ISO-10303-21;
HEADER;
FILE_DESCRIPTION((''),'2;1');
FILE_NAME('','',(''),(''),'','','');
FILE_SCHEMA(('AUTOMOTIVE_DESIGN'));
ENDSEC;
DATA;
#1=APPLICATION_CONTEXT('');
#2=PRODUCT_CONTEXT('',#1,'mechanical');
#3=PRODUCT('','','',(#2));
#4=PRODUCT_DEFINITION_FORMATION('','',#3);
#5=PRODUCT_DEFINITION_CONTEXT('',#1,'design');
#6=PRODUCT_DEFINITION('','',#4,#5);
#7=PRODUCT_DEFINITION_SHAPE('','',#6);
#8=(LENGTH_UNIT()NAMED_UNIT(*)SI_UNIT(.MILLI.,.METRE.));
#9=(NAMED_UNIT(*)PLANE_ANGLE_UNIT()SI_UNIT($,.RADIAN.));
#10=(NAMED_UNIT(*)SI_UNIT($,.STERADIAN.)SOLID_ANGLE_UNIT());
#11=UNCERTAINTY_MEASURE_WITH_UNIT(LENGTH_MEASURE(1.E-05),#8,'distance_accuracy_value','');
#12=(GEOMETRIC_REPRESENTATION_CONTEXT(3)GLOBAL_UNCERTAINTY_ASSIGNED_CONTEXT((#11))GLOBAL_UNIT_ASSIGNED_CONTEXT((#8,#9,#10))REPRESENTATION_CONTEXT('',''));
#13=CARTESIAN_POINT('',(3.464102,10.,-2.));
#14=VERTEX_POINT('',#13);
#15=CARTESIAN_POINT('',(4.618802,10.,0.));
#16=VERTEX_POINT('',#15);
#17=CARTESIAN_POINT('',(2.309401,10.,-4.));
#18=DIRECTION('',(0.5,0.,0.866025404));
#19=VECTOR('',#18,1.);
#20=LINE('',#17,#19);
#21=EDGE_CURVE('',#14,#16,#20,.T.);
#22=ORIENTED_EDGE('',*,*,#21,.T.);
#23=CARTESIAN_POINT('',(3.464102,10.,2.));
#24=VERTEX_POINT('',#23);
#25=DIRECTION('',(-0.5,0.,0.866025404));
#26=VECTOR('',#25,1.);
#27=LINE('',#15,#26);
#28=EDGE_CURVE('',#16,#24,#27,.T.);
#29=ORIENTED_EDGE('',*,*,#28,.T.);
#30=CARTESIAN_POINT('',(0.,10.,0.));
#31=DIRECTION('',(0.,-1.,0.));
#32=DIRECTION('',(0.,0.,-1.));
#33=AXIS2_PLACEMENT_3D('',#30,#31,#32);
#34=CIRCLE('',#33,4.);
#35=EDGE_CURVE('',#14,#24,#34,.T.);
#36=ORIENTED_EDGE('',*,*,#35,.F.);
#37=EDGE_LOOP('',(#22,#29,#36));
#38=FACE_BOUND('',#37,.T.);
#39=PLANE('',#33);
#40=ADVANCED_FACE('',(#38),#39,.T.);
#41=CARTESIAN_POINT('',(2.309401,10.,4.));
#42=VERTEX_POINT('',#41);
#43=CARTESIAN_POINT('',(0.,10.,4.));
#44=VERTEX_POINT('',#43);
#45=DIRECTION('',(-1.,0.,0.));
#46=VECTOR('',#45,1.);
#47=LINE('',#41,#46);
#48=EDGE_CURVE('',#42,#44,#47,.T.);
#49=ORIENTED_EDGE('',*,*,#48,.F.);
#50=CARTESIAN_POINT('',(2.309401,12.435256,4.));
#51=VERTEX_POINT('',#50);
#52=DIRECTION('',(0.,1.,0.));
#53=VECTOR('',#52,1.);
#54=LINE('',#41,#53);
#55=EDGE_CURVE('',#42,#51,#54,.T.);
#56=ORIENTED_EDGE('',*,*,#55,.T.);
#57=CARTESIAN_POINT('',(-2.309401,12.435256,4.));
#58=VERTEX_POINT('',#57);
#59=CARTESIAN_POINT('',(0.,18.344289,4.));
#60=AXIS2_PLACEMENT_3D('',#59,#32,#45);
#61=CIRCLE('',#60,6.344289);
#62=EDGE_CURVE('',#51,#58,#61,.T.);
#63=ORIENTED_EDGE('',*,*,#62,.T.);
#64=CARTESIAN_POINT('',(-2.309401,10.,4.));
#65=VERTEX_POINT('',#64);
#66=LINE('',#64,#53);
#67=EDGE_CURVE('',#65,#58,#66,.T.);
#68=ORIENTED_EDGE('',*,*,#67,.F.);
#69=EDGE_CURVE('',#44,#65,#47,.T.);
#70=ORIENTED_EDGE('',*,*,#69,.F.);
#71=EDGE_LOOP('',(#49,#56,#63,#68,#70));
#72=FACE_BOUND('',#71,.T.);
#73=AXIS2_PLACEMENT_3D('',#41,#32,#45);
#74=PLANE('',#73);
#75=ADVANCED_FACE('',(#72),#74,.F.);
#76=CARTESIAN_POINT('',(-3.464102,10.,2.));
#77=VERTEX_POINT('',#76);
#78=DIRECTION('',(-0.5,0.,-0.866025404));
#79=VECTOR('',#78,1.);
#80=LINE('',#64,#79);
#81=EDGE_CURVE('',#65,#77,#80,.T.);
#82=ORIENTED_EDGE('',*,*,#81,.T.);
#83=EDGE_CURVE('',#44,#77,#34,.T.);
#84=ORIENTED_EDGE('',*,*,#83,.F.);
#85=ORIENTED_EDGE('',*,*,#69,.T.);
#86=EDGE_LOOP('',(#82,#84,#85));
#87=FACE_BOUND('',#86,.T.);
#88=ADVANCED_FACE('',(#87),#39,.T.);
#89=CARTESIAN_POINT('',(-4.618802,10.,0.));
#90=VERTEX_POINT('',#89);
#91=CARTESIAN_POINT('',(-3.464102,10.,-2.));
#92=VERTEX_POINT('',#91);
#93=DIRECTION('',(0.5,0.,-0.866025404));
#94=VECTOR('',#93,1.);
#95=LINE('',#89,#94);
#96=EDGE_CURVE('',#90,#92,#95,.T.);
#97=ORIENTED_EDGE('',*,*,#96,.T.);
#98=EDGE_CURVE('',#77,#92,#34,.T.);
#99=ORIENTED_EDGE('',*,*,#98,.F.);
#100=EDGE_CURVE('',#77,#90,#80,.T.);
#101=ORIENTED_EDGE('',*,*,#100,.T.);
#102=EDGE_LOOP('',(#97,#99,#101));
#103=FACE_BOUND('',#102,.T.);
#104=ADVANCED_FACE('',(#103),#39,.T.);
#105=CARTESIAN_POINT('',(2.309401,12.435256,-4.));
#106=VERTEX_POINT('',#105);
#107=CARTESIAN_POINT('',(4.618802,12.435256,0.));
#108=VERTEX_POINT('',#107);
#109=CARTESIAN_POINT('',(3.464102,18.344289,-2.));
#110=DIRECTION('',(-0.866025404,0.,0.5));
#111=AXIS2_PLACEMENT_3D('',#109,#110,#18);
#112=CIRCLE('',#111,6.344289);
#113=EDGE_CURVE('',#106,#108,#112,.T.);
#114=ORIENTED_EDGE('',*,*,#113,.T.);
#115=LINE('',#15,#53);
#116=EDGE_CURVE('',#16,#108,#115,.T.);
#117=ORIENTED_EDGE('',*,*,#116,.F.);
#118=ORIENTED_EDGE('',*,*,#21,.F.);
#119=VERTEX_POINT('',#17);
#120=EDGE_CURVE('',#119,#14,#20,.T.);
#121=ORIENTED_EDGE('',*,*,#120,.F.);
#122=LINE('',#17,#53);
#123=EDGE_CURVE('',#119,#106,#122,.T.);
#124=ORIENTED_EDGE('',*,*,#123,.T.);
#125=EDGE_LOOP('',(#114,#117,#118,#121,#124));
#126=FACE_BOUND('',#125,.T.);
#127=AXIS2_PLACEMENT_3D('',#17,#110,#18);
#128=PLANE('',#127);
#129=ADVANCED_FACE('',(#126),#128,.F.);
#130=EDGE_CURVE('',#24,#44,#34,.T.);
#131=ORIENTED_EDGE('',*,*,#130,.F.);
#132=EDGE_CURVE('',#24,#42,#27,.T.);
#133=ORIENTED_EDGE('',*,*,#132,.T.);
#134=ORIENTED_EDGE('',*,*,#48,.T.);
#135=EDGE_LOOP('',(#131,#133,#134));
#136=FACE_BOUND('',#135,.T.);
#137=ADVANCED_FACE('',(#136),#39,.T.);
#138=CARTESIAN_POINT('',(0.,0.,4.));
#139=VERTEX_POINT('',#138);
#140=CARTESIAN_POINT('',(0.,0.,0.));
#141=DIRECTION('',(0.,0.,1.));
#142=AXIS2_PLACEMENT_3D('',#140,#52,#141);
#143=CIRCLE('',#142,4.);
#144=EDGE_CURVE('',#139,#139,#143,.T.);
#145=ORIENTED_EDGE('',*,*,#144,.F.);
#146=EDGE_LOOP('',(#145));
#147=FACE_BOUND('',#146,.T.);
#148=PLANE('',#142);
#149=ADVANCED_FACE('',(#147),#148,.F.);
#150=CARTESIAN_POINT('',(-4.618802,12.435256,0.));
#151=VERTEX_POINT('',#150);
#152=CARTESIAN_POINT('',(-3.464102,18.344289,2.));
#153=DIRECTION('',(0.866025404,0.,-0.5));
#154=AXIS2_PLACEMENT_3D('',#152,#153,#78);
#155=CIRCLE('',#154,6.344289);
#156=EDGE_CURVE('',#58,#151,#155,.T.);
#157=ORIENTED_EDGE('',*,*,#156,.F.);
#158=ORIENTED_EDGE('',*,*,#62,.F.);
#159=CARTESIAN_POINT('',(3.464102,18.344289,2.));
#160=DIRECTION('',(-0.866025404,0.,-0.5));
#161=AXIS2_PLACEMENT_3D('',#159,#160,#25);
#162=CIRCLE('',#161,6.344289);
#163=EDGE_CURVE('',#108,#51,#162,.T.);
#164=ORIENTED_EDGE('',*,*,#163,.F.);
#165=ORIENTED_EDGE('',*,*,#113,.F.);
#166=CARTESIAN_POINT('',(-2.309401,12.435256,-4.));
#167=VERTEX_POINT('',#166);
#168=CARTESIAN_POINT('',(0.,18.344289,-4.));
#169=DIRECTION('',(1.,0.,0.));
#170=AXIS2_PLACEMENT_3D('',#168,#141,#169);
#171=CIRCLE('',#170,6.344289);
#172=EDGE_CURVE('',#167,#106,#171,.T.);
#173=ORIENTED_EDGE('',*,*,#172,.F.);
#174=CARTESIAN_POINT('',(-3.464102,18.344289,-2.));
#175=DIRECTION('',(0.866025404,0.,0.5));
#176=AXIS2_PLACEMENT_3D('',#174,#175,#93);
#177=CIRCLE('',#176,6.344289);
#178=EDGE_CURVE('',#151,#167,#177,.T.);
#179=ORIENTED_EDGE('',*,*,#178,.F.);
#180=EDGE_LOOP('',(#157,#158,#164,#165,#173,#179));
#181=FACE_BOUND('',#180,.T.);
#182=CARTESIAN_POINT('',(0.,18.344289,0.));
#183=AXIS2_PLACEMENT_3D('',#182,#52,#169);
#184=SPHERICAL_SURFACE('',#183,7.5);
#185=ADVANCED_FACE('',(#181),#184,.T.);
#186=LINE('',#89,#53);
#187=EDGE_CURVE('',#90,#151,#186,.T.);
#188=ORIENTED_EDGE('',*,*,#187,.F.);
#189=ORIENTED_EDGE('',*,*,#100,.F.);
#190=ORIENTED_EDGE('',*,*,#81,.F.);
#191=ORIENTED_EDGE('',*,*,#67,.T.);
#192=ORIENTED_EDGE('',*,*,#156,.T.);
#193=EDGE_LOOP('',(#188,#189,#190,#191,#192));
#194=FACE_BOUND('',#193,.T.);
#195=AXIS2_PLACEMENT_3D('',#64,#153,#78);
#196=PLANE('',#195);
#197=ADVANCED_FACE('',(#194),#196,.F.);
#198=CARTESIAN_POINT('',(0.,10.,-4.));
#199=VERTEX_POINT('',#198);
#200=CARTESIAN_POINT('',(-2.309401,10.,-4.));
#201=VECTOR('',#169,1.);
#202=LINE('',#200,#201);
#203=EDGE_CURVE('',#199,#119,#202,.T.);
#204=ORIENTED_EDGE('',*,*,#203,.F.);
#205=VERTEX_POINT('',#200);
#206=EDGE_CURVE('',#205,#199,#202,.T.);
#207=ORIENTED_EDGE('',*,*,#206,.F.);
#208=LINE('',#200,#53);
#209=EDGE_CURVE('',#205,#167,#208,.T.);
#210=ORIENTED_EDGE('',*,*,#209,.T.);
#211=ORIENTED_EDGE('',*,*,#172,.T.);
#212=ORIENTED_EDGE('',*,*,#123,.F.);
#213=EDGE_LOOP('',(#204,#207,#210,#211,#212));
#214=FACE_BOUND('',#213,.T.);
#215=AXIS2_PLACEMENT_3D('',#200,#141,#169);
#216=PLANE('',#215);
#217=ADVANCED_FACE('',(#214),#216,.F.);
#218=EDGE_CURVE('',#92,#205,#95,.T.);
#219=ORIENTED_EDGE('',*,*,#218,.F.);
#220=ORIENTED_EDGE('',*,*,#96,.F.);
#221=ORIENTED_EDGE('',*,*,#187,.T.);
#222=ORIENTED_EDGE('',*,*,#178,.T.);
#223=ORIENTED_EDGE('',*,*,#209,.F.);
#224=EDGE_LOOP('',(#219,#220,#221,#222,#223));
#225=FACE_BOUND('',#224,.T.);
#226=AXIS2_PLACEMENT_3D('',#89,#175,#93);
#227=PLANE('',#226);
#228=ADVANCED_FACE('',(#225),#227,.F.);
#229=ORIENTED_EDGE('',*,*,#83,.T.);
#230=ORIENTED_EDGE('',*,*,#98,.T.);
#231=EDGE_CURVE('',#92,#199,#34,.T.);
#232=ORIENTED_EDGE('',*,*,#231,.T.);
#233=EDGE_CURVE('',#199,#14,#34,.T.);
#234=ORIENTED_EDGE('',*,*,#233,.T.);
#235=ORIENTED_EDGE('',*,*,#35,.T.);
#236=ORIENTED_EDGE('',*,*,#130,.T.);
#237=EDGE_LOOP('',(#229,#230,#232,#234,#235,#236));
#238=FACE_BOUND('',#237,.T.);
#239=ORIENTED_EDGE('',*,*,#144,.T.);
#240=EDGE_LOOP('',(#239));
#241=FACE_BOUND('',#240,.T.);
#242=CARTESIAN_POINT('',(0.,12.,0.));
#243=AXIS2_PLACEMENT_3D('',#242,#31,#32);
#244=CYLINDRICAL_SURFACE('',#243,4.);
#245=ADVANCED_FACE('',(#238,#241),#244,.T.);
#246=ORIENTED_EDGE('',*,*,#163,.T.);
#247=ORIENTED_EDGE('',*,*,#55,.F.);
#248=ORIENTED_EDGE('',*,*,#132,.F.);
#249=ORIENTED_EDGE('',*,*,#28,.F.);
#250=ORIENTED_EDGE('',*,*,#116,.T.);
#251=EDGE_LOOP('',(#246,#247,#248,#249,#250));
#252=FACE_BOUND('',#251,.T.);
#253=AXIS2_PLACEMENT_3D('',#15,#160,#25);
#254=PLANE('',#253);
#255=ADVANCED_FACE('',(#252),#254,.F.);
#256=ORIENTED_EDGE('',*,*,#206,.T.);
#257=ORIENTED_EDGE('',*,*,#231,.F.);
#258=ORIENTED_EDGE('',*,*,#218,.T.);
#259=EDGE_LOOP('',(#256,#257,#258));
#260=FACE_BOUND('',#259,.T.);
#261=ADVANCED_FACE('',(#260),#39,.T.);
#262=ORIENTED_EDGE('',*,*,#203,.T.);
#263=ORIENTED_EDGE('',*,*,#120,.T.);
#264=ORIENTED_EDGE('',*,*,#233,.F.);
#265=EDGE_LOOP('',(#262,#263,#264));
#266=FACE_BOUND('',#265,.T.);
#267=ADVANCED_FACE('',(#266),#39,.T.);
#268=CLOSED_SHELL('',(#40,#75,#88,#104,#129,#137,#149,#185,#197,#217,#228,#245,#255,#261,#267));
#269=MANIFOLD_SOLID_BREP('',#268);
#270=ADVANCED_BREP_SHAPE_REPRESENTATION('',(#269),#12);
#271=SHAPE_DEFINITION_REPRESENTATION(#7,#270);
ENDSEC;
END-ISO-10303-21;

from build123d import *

# Parameters (mm, degrees)
SKETCH1_R           = 4
BOSS_EXTRUDE1_DEPTH = 12
BOSS_EXTRUDE3_DEPTH = 3


with BuildPart() as part:
    # Sketch1 → Boss-Extrude1 (new body)
    with BuildSketch(Plane(origin=(0, 0, 0), x_dir=(1, 0, 0), z_dir=(0, 1, 0))):
        with Locations(Location((0, 0, 0), (0, 0, 270))):
            Circle(SKETCH1_R)
    extrude(amount=BOSS_EXTRUDE1_DEPTH)

    # Sketch2 → Revolve1 (revolve)
    with BuildSketch(Plane.XY):
        with BuildLine():
            Line((0, 25.84428877), (0, 10.84428877))
            ThreePointArc((0, 10.84428877), (7.5, 18.34428877), (0, 25.84428877))
        make_face()
    revolve(axis=Axis((0, 25.84428877, 0), (0, -1, 0)))

    # Sketch4 → Boss-Extrude3 (add)
    with BuildSketch(Plane(origin=(0, 13, 0), x_dir=(-1, 0, 0), z_dir=(0, -1, 0))):
        Polygon((2.309401077, 4), (-2.309401077, 4), (-4.618802154, 0), (-2.309401077, -4), (2.309401077, -4), (4.618802154, 0), align=None)
    extrude(amount=BOSS_EXTRUDE3_DEPTH)


solid = part.part
